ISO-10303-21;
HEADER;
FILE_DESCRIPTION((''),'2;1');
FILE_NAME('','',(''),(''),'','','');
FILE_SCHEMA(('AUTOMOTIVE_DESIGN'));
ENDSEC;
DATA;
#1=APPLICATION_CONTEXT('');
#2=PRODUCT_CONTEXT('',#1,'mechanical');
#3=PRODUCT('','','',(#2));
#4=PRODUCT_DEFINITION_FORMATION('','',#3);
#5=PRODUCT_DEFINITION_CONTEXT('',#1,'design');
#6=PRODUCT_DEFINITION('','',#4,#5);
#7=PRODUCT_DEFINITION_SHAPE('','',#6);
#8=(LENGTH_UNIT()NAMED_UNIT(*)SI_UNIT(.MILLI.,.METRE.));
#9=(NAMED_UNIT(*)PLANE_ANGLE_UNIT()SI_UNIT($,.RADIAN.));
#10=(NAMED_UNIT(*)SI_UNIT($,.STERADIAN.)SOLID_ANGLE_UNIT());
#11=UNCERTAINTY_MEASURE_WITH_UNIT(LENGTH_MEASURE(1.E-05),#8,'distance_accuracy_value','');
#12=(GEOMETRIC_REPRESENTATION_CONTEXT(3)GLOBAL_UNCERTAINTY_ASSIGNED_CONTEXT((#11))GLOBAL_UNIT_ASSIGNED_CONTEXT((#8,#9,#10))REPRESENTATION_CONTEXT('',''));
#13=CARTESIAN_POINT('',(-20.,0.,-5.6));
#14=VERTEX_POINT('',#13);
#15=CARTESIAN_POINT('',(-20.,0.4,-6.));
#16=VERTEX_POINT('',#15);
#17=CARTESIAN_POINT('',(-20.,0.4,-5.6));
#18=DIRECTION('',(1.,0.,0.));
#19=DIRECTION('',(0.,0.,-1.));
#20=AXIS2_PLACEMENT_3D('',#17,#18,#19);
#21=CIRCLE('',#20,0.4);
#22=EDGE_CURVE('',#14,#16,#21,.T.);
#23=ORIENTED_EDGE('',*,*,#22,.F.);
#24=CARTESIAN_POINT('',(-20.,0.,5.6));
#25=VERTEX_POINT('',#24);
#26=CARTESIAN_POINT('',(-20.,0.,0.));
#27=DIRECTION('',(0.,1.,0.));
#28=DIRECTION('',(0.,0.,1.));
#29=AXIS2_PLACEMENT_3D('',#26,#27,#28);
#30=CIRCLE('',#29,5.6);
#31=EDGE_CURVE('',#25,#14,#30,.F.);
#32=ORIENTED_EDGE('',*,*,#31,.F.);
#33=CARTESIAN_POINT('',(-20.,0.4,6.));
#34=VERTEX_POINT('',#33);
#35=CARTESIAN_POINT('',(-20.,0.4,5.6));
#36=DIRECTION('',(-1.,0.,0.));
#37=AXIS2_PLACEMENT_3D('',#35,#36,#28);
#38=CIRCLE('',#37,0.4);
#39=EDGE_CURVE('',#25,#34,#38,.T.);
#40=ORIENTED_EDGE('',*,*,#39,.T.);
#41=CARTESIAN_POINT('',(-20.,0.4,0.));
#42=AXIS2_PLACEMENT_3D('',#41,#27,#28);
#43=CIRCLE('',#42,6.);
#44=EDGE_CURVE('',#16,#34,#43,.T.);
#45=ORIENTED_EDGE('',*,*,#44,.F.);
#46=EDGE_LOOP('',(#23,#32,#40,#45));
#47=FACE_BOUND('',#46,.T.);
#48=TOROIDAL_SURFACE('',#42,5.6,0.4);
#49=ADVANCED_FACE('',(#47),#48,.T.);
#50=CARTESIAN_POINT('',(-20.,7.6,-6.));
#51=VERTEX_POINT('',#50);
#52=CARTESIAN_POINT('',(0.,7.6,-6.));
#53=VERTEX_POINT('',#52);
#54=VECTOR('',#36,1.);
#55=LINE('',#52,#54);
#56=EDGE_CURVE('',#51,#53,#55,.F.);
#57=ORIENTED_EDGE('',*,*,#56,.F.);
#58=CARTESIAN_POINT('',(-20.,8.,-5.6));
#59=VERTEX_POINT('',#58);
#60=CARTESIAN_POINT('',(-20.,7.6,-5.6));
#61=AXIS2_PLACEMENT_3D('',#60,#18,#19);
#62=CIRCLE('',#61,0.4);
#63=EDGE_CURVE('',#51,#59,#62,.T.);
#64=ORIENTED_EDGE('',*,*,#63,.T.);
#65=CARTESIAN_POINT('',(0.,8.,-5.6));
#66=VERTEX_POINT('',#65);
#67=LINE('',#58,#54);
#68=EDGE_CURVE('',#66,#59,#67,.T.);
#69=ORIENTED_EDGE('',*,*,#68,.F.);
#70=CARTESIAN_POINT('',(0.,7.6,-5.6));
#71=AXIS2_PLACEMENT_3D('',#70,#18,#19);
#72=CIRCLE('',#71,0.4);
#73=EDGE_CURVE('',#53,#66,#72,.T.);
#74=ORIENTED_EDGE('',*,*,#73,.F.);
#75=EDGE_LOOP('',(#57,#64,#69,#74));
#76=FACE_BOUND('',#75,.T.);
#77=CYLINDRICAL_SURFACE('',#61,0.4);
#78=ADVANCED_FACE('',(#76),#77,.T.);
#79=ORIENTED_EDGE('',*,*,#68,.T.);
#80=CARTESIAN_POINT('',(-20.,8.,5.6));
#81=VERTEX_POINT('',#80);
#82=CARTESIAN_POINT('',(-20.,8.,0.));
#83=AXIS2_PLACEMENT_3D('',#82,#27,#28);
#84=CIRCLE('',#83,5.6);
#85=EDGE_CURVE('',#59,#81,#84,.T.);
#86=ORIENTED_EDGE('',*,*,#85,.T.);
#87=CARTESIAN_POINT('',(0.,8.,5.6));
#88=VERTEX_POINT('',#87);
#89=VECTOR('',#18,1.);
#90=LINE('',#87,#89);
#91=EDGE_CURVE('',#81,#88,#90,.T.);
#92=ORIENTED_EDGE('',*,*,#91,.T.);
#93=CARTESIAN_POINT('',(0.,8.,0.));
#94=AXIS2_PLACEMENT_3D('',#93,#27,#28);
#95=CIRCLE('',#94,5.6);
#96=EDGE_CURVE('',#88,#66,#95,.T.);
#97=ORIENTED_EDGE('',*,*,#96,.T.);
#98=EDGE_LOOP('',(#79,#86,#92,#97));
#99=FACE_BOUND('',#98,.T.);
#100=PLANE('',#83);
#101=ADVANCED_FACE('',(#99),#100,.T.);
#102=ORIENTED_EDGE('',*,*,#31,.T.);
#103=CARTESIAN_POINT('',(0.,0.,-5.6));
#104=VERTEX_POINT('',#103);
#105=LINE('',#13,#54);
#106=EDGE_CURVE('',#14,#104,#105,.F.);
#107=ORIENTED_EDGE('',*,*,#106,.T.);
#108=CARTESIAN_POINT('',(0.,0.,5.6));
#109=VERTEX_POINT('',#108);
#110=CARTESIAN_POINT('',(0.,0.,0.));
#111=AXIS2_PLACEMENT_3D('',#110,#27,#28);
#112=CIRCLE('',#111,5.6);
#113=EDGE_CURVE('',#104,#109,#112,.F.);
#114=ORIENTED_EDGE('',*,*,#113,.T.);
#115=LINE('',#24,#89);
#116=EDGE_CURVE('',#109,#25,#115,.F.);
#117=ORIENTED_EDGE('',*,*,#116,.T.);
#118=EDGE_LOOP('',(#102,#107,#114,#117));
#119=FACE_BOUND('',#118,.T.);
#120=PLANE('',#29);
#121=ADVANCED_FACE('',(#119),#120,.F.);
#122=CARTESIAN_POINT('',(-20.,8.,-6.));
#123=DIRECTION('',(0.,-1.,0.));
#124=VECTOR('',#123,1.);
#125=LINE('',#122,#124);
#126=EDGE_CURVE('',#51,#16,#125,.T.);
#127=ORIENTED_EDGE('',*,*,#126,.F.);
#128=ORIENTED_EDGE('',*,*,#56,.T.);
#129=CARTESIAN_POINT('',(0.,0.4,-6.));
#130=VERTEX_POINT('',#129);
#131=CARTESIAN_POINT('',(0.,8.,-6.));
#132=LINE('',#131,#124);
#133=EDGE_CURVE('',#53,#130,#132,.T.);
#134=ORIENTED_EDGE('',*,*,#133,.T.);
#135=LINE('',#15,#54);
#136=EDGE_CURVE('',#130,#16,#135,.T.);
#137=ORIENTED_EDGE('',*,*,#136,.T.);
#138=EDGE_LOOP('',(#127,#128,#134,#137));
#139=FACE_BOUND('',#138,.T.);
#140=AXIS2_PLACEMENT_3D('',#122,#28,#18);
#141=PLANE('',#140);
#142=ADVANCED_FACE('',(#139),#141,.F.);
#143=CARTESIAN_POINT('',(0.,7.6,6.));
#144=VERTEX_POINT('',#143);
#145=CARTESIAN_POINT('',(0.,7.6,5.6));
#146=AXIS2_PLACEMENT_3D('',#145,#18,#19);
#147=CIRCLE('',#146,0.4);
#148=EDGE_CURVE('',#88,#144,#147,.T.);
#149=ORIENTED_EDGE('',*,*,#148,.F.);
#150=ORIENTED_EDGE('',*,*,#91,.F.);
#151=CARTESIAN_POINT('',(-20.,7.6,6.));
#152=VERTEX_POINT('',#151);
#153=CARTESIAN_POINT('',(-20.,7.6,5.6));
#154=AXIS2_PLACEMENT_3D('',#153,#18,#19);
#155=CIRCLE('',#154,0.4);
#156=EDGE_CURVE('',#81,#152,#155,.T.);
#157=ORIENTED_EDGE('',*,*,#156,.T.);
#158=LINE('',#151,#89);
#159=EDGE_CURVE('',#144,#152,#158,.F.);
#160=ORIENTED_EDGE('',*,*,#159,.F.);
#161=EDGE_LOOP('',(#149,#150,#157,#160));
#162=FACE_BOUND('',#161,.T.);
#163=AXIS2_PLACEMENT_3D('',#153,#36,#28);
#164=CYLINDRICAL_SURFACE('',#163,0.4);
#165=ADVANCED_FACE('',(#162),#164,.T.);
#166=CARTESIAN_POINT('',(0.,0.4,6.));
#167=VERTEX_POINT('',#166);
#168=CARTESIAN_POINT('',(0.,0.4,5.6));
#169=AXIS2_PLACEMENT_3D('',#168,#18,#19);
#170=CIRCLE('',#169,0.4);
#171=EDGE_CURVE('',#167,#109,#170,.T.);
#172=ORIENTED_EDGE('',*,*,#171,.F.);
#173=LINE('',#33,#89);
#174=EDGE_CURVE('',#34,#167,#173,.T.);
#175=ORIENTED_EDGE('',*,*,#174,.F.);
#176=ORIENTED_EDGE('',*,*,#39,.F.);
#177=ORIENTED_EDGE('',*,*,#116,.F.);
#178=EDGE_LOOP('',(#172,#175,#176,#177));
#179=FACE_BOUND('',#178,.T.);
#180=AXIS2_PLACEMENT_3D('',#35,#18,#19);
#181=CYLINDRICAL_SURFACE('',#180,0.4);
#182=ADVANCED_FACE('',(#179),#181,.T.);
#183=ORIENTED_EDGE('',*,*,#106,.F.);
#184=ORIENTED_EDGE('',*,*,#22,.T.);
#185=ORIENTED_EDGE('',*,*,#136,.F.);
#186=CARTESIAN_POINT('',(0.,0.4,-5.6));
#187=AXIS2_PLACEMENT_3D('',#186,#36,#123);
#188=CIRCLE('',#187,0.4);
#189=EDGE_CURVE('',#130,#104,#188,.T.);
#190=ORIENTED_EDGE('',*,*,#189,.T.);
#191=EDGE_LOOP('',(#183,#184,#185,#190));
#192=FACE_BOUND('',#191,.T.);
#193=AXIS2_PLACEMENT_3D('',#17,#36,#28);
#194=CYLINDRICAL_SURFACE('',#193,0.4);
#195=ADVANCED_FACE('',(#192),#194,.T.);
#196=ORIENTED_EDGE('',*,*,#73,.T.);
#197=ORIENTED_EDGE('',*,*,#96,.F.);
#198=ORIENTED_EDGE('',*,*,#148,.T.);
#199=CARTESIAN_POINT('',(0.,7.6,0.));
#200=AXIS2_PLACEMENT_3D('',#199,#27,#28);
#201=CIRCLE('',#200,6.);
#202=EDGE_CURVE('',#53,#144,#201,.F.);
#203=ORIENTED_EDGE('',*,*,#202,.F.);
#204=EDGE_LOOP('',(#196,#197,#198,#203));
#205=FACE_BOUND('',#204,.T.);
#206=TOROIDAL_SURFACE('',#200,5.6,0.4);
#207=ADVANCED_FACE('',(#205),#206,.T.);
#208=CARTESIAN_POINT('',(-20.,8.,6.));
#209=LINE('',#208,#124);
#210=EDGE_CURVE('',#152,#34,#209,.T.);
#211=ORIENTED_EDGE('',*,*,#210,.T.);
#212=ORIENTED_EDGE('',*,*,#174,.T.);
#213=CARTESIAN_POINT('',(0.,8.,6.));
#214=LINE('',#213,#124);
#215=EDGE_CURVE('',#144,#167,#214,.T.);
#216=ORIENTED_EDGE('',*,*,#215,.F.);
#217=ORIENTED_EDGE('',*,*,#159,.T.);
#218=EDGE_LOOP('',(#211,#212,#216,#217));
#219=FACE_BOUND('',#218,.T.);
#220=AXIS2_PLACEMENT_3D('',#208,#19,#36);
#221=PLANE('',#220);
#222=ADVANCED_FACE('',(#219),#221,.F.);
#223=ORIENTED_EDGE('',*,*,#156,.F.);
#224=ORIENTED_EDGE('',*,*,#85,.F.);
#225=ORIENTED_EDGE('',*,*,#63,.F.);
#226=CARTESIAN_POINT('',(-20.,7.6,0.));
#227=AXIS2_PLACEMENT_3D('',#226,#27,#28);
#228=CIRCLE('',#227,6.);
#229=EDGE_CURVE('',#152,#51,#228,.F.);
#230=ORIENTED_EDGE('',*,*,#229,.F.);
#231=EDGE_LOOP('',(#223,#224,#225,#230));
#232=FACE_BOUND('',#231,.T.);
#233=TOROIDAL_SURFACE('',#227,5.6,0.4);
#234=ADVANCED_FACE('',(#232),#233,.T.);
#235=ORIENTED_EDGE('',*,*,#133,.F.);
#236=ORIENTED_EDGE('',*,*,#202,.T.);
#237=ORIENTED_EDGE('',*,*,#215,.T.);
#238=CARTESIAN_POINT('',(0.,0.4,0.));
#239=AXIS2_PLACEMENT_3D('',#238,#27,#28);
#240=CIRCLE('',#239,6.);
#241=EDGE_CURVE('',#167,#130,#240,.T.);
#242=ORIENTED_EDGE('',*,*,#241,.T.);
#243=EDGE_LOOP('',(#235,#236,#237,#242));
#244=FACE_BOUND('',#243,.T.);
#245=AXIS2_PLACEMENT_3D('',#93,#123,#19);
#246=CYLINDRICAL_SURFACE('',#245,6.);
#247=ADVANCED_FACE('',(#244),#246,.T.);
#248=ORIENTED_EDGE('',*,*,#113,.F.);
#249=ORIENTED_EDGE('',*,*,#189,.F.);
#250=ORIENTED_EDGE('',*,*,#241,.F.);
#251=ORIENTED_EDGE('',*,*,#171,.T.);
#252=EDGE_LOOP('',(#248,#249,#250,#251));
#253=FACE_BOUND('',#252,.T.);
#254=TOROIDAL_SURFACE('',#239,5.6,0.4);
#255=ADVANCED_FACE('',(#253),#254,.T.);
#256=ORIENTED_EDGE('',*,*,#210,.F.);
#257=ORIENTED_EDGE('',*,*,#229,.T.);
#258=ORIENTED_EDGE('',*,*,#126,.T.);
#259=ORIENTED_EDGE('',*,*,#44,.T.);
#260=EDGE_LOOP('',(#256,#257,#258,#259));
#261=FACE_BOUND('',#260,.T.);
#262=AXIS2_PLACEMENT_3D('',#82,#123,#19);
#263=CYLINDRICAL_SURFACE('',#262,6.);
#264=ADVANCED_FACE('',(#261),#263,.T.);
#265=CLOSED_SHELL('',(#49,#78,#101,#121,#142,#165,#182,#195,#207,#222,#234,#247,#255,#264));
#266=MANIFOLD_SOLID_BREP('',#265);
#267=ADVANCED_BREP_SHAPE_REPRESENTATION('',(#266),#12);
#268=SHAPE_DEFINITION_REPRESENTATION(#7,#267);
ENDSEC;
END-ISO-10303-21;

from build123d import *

# Parameters (mm, degrees)
EXTRUDE1_DEPTH = 8
FILLET1_R      = 0.4


with BuildPart() as part:
    # Sketch1 → Extrude1 (new body)
    with BuildSketch(Plane(origin=(0, 0, 0), x_dir=(1, 0, 0), z_dir=(0, 1, 0))):
        with BuildLine():
            Line((-20, 6), (0, 6))
            ThreePointArc((0, 6), (6, 0), (0, -6))
            Line((0, -6), (-20, -6))
            ThreePointArc((-20, -6), (-26, 0), (-20, 6))
        make_face()
    extrude(amount=EXTRUDE1_DEPTH)

    # Fillet1
    fillet1_edges = [part.edges().sort_by_distance(p)[0] for p in [
        (6, 8, 0),
        (-10, 8, -6),
        (-26, 8, 0),
        (-10, 0, -6),
        (6, 0, 0),
        (-10, 0, 6),
        (-26, 0, 0),
        (-10, 8, 6),
    ]]
    fillet(fillet1_edges, radius=FILLET1_R)


solid = part.part
